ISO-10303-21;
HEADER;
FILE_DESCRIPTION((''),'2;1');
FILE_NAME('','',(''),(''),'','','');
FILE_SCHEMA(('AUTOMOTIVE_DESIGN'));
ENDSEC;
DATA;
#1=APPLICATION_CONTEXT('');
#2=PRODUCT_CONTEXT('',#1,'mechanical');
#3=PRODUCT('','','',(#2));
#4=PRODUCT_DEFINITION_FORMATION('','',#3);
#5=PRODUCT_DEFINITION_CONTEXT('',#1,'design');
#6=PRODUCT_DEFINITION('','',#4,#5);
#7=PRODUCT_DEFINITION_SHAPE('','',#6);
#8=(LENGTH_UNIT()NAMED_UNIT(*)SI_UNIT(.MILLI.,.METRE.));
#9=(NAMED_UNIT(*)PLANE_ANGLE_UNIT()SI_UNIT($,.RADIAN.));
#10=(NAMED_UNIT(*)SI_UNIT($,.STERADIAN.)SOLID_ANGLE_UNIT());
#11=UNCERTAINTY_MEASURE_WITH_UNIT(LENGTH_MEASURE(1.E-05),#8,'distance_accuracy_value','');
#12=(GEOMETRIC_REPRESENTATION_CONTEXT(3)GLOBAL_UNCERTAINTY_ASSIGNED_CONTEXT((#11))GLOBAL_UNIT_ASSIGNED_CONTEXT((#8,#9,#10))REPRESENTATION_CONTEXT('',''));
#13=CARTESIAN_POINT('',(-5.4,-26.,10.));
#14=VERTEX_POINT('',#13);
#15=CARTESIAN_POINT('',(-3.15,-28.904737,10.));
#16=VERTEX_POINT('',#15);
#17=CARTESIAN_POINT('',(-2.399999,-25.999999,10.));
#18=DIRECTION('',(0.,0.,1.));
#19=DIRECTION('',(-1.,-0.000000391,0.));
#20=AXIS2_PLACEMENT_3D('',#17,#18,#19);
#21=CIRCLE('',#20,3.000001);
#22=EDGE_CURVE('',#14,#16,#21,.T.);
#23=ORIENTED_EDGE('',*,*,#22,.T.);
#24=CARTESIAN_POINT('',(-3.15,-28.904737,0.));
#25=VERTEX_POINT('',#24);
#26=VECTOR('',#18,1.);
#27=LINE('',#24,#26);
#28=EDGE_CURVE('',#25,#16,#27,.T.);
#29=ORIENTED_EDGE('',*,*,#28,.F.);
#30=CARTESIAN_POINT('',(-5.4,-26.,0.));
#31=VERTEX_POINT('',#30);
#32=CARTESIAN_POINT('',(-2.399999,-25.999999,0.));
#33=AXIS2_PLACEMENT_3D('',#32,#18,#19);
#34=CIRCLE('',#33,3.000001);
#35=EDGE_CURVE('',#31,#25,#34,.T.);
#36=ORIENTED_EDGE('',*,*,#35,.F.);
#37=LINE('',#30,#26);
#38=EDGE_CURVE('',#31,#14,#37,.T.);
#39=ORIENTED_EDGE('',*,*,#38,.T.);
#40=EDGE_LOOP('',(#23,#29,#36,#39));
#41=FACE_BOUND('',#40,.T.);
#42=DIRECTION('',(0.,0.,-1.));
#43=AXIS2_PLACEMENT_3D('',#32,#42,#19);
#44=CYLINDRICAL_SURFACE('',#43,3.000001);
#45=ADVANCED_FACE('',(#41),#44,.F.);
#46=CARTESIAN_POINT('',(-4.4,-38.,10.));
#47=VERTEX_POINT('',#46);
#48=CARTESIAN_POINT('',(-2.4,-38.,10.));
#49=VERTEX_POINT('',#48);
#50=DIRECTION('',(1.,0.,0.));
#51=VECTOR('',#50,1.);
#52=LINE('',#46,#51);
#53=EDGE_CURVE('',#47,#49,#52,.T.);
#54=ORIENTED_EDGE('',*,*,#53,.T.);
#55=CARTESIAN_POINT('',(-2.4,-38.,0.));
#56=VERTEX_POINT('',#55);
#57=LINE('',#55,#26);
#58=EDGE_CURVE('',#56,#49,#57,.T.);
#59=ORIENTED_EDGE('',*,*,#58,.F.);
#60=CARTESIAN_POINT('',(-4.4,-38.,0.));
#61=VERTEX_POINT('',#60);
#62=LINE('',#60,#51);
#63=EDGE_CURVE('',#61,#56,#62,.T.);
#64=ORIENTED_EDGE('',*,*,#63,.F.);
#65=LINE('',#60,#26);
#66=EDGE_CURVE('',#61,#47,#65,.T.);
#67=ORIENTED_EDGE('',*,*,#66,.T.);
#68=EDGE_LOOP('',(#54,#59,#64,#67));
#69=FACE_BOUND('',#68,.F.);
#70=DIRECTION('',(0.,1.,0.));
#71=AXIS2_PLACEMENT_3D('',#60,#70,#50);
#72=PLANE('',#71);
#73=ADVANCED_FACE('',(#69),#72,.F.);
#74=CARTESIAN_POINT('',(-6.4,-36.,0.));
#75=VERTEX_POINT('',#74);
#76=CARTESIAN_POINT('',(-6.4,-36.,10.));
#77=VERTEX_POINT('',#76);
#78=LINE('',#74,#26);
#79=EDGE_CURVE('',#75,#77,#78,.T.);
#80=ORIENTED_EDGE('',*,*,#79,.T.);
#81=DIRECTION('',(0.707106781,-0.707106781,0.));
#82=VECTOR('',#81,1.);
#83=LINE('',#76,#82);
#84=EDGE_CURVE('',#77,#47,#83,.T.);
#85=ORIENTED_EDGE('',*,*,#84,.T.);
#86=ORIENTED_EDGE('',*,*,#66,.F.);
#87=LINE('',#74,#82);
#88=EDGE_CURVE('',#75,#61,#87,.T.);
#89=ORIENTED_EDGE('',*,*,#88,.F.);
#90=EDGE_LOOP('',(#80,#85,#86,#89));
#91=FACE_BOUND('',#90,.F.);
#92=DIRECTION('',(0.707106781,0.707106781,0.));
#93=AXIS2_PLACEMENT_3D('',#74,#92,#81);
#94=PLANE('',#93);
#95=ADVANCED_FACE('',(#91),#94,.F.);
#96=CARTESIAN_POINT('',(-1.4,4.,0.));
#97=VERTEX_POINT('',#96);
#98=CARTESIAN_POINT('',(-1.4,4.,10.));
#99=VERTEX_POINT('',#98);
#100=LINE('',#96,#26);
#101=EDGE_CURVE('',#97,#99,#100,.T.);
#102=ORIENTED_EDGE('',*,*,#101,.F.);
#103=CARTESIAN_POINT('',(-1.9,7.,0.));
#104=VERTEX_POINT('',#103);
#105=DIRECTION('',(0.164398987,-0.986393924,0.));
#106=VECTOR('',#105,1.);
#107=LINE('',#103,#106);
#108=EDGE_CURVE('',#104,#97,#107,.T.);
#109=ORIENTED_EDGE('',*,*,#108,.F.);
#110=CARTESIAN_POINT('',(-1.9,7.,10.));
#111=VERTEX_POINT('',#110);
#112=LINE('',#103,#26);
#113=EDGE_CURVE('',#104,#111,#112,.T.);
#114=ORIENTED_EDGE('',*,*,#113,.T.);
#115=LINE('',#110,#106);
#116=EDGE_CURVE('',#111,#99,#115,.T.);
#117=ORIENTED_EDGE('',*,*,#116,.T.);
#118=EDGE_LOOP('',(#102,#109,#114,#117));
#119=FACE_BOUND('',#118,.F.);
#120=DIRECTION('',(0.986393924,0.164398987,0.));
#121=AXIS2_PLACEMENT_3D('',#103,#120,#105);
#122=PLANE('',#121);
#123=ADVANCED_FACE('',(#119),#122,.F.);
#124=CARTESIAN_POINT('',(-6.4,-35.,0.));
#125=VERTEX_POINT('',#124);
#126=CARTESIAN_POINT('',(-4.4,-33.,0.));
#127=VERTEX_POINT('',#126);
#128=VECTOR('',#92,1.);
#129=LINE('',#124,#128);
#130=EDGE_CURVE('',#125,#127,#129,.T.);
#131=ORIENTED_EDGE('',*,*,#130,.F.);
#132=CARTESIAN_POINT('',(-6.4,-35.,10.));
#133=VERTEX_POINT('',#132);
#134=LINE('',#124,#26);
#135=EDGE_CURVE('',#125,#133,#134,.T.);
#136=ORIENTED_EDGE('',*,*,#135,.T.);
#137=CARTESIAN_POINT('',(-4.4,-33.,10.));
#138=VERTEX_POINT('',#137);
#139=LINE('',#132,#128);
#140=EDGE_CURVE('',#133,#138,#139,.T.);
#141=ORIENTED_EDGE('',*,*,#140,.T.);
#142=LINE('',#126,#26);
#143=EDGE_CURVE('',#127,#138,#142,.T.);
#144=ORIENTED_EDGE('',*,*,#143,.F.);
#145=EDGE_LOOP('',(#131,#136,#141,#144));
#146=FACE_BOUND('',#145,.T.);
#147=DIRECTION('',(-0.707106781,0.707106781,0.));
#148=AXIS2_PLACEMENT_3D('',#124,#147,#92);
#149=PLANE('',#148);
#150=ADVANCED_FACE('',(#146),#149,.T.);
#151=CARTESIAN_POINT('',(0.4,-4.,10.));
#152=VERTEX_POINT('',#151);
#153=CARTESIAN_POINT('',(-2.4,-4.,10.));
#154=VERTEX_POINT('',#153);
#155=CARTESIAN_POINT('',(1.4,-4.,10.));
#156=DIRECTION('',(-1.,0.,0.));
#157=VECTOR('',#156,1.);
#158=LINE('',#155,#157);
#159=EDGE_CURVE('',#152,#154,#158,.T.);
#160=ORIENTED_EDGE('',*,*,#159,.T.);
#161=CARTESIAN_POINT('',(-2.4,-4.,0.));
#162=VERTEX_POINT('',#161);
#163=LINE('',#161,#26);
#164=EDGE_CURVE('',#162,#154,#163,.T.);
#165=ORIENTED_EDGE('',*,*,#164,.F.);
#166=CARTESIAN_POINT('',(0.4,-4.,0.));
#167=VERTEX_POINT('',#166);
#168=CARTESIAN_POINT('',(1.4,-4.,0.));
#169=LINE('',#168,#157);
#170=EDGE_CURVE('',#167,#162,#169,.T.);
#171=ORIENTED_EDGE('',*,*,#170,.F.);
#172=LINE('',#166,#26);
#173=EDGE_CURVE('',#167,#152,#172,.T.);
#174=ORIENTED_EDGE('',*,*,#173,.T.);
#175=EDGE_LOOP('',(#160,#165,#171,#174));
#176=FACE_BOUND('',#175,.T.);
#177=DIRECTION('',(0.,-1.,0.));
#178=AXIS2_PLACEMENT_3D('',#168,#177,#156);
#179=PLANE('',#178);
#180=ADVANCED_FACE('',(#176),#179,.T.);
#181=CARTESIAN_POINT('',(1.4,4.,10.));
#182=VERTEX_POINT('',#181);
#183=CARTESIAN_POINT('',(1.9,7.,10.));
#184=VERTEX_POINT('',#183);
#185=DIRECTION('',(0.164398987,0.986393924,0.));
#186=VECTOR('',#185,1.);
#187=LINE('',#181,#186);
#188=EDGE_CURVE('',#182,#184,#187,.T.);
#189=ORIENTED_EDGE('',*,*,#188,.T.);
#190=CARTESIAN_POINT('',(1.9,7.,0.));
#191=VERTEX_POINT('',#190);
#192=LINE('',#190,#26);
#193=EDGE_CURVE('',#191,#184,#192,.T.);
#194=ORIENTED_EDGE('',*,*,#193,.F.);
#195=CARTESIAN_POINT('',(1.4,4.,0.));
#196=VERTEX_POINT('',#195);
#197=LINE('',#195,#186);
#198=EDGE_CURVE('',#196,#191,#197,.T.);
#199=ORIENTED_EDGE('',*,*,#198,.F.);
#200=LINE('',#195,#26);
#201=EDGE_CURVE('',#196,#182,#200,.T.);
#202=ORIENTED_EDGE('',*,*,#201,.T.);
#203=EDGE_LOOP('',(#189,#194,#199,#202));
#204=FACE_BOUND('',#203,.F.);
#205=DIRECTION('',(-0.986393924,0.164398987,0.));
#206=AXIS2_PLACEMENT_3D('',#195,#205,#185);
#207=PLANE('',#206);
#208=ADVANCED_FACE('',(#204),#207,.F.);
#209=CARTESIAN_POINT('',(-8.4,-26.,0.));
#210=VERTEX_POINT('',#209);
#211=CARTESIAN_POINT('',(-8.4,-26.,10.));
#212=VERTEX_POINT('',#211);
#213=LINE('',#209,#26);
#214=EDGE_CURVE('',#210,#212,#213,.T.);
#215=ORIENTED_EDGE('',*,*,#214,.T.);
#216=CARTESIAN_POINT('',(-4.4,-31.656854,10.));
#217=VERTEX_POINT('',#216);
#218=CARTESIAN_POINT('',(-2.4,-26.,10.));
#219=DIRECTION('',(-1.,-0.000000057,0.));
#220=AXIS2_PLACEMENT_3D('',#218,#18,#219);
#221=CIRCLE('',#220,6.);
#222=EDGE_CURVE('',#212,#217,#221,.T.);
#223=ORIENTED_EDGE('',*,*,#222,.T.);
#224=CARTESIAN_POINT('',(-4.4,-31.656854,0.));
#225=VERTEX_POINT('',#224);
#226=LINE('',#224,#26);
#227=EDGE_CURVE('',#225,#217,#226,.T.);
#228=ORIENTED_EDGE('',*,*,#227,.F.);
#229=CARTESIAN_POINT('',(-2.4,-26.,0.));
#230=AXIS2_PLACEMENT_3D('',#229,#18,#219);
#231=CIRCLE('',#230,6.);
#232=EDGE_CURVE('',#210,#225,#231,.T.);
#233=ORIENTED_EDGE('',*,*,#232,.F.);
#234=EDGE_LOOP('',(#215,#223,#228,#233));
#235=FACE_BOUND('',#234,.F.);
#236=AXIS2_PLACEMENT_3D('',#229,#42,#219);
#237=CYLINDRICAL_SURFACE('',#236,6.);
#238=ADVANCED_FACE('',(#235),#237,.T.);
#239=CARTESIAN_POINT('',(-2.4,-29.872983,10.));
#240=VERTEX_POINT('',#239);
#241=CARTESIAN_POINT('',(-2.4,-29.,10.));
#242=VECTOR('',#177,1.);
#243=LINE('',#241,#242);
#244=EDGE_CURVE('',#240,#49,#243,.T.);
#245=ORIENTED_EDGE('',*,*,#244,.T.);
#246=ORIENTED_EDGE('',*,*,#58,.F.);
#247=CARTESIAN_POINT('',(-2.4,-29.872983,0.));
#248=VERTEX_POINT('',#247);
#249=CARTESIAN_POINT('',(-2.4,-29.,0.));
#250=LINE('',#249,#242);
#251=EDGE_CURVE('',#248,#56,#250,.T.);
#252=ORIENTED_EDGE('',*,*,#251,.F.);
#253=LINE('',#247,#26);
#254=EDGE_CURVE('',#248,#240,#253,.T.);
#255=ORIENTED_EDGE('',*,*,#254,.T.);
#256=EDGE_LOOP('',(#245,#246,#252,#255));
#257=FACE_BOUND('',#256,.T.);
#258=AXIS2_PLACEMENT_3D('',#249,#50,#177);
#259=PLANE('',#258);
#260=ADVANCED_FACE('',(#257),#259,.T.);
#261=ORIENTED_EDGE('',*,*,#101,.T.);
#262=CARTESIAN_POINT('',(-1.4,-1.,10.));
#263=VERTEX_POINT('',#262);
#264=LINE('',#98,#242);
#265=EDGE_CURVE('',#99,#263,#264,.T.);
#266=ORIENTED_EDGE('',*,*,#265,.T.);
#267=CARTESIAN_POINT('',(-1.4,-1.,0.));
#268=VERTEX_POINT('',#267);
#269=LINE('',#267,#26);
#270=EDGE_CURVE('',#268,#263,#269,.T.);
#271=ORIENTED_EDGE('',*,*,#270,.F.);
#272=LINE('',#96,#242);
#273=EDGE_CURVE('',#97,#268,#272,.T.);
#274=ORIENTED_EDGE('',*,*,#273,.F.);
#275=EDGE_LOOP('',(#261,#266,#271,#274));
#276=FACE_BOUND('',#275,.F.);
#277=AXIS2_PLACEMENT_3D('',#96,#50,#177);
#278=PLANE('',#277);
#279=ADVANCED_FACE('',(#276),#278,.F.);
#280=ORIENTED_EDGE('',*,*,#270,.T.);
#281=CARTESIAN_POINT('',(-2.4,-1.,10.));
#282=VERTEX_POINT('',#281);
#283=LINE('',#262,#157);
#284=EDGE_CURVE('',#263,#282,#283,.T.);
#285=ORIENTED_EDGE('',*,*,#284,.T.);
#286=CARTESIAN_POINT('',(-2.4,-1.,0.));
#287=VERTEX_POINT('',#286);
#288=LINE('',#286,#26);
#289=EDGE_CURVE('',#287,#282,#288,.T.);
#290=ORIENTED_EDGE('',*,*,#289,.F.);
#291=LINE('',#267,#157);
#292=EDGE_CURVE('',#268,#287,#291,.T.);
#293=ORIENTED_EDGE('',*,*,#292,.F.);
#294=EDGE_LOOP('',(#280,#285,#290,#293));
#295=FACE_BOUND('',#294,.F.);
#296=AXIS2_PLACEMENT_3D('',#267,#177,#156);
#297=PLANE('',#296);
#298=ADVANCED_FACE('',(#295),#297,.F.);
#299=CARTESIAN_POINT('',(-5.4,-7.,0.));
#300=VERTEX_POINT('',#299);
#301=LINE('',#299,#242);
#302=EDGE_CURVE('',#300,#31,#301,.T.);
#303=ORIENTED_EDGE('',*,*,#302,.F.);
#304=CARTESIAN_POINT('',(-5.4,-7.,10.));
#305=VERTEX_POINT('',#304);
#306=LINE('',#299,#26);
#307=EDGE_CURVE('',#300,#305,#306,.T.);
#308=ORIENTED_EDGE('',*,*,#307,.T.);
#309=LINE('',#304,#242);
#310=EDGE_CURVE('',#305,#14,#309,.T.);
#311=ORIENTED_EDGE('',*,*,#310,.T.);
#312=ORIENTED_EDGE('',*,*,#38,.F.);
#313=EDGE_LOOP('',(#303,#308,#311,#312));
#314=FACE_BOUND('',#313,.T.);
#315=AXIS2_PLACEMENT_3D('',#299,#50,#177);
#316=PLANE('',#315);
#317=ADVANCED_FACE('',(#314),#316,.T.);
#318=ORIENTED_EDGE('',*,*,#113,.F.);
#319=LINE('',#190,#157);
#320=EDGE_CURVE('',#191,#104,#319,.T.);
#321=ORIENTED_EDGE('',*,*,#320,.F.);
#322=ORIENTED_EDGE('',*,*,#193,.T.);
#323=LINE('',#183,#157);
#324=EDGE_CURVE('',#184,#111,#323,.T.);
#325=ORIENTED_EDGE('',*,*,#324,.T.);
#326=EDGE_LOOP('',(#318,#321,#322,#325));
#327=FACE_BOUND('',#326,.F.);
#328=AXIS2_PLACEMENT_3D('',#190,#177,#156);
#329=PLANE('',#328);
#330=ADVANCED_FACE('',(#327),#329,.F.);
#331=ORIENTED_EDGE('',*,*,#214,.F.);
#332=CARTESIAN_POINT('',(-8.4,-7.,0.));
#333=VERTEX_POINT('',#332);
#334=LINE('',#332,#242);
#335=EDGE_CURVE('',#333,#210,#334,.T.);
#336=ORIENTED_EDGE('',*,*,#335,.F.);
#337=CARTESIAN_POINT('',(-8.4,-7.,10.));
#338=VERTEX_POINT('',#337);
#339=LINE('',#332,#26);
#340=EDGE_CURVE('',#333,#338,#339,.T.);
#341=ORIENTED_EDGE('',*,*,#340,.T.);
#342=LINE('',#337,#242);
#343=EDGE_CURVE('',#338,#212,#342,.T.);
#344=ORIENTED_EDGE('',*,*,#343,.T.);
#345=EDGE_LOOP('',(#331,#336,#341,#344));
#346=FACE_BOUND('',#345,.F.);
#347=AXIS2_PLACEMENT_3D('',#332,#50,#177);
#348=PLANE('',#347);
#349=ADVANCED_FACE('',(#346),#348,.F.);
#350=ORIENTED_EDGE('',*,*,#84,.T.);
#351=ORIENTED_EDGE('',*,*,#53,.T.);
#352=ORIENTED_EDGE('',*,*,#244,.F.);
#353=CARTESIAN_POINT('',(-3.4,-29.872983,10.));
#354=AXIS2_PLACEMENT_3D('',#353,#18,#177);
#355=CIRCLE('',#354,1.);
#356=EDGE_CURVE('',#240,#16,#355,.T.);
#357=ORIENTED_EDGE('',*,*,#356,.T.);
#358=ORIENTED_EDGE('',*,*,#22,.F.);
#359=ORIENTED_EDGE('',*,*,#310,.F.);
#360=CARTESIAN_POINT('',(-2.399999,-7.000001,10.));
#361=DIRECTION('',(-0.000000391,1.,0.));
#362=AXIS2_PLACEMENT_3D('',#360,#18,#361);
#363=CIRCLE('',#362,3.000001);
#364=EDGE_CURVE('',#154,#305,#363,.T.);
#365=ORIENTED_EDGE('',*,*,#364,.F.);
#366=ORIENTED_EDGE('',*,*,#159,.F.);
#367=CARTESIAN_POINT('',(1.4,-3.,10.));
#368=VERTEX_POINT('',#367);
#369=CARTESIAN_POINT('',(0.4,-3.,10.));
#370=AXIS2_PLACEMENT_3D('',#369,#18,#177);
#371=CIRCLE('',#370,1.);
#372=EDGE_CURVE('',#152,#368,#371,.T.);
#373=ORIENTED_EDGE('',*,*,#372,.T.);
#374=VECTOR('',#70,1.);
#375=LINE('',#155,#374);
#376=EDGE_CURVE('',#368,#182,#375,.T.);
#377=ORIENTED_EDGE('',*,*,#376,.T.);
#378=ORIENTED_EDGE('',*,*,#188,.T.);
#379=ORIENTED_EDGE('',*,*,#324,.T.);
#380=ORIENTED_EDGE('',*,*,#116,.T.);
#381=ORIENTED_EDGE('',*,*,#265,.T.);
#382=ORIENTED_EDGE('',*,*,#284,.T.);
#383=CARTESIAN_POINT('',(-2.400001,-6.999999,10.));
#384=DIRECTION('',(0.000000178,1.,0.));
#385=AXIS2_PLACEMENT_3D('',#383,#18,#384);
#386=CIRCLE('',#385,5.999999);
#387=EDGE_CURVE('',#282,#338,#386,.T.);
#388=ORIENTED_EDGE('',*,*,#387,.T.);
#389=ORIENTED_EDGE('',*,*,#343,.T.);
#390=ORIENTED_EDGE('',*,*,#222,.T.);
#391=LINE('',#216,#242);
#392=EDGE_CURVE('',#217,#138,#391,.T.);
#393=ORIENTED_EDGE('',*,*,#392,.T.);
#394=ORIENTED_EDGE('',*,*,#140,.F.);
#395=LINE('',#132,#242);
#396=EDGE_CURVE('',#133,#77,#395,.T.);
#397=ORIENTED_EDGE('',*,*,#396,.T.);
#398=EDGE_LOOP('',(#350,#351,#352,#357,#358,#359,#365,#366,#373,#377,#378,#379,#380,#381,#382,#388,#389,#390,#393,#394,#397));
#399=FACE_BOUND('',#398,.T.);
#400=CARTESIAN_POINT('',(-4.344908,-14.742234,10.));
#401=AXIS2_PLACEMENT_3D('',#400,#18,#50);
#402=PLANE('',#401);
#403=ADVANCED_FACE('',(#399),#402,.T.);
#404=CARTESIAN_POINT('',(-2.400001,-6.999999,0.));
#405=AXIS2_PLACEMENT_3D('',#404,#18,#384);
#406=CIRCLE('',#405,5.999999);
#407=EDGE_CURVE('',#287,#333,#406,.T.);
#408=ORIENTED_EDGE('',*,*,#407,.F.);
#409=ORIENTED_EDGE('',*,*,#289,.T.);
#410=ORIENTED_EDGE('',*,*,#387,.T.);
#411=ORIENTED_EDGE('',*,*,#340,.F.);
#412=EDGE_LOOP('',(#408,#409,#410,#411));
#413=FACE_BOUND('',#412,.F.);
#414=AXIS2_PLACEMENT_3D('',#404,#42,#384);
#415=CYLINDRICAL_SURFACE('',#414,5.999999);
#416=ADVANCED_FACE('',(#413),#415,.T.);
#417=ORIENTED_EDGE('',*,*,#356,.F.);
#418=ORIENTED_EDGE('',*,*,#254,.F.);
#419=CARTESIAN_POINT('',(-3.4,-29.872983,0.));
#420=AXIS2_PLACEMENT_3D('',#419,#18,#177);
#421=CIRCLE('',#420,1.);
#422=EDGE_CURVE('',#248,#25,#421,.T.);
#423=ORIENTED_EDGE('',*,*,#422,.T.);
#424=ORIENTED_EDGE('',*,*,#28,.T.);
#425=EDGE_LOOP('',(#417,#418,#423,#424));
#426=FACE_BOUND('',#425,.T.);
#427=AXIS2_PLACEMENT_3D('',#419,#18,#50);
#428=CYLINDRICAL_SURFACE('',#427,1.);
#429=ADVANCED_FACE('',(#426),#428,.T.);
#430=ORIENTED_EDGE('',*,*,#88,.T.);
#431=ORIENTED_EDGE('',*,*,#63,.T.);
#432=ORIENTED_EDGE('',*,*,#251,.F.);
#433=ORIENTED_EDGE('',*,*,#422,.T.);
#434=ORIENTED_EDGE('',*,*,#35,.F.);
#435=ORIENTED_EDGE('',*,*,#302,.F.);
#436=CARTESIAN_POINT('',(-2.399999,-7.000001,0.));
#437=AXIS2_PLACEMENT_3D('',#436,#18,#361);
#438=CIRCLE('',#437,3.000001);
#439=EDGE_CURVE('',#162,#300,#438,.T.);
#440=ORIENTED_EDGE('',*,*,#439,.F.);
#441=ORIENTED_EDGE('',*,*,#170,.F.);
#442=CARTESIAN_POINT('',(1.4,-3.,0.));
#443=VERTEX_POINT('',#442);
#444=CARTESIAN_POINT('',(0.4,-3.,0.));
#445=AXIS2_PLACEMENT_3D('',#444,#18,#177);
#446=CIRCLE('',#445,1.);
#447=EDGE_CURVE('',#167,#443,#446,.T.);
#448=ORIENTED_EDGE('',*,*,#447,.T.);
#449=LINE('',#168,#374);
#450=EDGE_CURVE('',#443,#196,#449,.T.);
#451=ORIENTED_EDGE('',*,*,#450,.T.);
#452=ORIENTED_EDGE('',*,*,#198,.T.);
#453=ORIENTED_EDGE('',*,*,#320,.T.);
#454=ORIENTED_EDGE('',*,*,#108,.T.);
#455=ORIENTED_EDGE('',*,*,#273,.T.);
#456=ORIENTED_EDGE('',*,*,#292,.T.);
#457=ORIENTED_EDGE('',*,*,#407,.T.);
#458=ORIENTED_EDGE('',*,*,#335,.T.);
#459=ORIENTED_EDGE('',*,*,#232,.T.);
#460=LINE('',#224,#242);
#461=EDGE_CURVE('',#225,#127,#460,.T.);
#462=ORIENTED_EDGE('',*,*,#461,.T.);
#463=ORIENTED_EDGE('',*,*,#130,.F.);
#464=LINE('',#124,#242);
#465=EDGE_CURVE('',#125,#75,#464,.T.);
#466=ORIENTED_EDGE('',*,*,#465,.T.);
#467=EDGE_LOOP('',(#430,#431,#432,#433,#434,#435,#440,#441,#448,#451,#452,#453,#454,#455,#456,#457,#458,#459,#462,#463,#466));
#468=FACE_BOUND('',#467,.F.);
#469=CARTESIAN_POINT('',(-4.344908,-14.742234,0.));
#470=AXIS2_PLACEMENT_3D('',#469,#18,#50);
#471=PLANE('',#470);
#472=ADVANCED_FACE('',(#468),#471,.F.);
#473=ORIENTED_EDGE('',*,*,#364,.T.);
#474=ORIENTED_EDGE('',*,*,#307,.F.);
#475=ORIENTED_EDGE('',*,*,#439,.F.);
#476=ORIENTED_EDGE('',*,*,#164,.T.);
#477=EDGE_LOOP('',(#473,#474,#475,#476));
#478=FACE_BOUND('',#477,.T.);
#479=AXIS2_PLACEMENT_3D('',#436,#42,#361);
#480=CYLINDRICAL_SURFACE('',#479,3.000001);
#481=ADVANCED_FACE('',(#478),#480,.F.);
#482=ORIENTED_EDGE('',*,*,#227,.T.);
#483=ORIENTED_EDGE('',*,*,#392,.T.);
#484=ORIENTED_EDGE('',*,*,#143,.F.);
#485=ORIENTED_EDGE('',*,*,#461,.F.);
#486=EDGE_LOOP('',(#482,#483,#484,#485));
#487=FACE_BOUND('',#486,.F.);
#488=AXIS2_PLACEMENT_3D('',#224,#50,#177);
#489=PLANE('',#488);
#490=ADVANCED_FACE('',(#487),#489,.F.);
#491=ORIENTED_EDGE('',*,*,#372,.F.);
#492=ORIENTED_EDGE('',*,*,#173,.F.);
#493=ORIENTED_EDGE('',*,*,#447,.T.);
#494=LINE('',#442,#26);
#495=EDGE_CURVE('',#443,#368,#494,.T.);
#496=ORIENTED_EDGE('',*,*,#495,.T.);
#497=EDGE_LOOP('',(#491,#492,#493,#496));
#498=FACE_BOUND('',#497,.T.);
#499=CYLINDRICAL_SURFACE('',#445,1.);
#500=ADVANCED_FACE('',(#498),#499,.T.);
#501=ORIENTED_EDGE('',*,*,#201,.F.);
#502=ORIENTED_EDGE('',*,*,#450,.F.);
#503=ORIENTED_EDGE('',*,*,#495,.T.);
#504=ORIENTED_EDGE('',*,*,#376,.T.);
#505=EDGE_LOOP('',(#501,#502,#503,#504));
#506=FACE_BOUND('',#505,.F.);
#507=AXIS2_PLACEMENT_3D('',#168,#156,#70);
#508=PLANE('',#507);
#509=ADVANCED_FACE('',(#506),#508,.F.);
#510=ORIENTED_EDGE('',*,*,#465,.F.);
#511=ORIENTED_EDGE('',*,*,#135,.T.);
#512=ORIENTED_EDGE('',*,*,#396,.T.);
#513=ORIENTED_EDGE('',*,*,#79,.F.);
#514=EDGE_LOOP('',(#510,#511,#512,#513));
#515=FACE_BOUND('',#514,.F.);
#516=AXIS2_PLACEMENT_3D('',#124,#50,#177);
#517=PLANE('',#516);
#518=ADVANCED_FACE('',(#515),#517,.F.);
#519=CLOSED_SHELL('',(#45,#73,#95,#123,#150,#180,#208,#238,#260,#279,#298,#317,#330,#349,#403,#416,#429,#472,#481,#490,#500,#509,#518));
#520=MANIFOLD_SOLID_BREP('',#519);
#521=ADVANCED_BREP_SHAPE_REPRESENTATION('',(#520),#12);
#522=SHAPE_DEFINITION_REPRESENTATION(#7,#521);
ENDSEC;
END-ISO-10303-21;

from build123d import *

# Parameters (mm, degrees)
PAD_DEPTH = 10
FILLET_R  = 1


with BuildPart() as part:
    # Sketch → Pad (new body)
    with BuildSketch(Plane.XY):
        with BuildLine():
            Line((-1.4, 4), (-1.4, -1))
            Line((-1.4, -1), (-2.4, -1))
            ThreePointArc((-2.4, -1), (-6.642641, -2.757359), (-8.4, -7))
            Line((-8.4, -7), (-8.4, -26))
            ThreePointArc((-8.4, -26), (-7.298979, -29.464102), (-4.4, -31.656854))
            Line((-4.4, -31.656854), (-4.4, -33))
            Line((-6.4, -35), (-4.4, -33))
            Line((-6.4, -35), (-6.4, -36))
            Line((-6.4, -36), (-4.4, -38))
            Line((-4.4, -38), (-2.4, -38))
            Line((-2.4, -29), (-2.4, -38))
            ThreePointArc((-5.4, -26), (-4.52132, -28.12132), (-2.4, -29))
            Line((-5.4, -7), (-5.4, -26))
            ThreePointArc((-2.4, -4), (-4.52132, -4.87868), (-5.4, -7))
            Line((1.4, -4), (-2.4, -4))
            Line((1.4, -4), (1.4, 4))
            Line((1.4, 4), (1.9, 7))
            Line((1.9, 7), (-1.9, 7))
            Line((-1.9, 7), (-1.4, 4))
        make_face()
    extrude(amount=PAD_DEPTH)

    # Fillet
    fillet_edges = [part.edges().sort_by_distance(p)[0] for p in [
        (1.4, -4, 5),
        (-2.4, -29, 5),
    ]]
    fillet(fillet_edges, radius=FILLET_R)


solid = part.part
